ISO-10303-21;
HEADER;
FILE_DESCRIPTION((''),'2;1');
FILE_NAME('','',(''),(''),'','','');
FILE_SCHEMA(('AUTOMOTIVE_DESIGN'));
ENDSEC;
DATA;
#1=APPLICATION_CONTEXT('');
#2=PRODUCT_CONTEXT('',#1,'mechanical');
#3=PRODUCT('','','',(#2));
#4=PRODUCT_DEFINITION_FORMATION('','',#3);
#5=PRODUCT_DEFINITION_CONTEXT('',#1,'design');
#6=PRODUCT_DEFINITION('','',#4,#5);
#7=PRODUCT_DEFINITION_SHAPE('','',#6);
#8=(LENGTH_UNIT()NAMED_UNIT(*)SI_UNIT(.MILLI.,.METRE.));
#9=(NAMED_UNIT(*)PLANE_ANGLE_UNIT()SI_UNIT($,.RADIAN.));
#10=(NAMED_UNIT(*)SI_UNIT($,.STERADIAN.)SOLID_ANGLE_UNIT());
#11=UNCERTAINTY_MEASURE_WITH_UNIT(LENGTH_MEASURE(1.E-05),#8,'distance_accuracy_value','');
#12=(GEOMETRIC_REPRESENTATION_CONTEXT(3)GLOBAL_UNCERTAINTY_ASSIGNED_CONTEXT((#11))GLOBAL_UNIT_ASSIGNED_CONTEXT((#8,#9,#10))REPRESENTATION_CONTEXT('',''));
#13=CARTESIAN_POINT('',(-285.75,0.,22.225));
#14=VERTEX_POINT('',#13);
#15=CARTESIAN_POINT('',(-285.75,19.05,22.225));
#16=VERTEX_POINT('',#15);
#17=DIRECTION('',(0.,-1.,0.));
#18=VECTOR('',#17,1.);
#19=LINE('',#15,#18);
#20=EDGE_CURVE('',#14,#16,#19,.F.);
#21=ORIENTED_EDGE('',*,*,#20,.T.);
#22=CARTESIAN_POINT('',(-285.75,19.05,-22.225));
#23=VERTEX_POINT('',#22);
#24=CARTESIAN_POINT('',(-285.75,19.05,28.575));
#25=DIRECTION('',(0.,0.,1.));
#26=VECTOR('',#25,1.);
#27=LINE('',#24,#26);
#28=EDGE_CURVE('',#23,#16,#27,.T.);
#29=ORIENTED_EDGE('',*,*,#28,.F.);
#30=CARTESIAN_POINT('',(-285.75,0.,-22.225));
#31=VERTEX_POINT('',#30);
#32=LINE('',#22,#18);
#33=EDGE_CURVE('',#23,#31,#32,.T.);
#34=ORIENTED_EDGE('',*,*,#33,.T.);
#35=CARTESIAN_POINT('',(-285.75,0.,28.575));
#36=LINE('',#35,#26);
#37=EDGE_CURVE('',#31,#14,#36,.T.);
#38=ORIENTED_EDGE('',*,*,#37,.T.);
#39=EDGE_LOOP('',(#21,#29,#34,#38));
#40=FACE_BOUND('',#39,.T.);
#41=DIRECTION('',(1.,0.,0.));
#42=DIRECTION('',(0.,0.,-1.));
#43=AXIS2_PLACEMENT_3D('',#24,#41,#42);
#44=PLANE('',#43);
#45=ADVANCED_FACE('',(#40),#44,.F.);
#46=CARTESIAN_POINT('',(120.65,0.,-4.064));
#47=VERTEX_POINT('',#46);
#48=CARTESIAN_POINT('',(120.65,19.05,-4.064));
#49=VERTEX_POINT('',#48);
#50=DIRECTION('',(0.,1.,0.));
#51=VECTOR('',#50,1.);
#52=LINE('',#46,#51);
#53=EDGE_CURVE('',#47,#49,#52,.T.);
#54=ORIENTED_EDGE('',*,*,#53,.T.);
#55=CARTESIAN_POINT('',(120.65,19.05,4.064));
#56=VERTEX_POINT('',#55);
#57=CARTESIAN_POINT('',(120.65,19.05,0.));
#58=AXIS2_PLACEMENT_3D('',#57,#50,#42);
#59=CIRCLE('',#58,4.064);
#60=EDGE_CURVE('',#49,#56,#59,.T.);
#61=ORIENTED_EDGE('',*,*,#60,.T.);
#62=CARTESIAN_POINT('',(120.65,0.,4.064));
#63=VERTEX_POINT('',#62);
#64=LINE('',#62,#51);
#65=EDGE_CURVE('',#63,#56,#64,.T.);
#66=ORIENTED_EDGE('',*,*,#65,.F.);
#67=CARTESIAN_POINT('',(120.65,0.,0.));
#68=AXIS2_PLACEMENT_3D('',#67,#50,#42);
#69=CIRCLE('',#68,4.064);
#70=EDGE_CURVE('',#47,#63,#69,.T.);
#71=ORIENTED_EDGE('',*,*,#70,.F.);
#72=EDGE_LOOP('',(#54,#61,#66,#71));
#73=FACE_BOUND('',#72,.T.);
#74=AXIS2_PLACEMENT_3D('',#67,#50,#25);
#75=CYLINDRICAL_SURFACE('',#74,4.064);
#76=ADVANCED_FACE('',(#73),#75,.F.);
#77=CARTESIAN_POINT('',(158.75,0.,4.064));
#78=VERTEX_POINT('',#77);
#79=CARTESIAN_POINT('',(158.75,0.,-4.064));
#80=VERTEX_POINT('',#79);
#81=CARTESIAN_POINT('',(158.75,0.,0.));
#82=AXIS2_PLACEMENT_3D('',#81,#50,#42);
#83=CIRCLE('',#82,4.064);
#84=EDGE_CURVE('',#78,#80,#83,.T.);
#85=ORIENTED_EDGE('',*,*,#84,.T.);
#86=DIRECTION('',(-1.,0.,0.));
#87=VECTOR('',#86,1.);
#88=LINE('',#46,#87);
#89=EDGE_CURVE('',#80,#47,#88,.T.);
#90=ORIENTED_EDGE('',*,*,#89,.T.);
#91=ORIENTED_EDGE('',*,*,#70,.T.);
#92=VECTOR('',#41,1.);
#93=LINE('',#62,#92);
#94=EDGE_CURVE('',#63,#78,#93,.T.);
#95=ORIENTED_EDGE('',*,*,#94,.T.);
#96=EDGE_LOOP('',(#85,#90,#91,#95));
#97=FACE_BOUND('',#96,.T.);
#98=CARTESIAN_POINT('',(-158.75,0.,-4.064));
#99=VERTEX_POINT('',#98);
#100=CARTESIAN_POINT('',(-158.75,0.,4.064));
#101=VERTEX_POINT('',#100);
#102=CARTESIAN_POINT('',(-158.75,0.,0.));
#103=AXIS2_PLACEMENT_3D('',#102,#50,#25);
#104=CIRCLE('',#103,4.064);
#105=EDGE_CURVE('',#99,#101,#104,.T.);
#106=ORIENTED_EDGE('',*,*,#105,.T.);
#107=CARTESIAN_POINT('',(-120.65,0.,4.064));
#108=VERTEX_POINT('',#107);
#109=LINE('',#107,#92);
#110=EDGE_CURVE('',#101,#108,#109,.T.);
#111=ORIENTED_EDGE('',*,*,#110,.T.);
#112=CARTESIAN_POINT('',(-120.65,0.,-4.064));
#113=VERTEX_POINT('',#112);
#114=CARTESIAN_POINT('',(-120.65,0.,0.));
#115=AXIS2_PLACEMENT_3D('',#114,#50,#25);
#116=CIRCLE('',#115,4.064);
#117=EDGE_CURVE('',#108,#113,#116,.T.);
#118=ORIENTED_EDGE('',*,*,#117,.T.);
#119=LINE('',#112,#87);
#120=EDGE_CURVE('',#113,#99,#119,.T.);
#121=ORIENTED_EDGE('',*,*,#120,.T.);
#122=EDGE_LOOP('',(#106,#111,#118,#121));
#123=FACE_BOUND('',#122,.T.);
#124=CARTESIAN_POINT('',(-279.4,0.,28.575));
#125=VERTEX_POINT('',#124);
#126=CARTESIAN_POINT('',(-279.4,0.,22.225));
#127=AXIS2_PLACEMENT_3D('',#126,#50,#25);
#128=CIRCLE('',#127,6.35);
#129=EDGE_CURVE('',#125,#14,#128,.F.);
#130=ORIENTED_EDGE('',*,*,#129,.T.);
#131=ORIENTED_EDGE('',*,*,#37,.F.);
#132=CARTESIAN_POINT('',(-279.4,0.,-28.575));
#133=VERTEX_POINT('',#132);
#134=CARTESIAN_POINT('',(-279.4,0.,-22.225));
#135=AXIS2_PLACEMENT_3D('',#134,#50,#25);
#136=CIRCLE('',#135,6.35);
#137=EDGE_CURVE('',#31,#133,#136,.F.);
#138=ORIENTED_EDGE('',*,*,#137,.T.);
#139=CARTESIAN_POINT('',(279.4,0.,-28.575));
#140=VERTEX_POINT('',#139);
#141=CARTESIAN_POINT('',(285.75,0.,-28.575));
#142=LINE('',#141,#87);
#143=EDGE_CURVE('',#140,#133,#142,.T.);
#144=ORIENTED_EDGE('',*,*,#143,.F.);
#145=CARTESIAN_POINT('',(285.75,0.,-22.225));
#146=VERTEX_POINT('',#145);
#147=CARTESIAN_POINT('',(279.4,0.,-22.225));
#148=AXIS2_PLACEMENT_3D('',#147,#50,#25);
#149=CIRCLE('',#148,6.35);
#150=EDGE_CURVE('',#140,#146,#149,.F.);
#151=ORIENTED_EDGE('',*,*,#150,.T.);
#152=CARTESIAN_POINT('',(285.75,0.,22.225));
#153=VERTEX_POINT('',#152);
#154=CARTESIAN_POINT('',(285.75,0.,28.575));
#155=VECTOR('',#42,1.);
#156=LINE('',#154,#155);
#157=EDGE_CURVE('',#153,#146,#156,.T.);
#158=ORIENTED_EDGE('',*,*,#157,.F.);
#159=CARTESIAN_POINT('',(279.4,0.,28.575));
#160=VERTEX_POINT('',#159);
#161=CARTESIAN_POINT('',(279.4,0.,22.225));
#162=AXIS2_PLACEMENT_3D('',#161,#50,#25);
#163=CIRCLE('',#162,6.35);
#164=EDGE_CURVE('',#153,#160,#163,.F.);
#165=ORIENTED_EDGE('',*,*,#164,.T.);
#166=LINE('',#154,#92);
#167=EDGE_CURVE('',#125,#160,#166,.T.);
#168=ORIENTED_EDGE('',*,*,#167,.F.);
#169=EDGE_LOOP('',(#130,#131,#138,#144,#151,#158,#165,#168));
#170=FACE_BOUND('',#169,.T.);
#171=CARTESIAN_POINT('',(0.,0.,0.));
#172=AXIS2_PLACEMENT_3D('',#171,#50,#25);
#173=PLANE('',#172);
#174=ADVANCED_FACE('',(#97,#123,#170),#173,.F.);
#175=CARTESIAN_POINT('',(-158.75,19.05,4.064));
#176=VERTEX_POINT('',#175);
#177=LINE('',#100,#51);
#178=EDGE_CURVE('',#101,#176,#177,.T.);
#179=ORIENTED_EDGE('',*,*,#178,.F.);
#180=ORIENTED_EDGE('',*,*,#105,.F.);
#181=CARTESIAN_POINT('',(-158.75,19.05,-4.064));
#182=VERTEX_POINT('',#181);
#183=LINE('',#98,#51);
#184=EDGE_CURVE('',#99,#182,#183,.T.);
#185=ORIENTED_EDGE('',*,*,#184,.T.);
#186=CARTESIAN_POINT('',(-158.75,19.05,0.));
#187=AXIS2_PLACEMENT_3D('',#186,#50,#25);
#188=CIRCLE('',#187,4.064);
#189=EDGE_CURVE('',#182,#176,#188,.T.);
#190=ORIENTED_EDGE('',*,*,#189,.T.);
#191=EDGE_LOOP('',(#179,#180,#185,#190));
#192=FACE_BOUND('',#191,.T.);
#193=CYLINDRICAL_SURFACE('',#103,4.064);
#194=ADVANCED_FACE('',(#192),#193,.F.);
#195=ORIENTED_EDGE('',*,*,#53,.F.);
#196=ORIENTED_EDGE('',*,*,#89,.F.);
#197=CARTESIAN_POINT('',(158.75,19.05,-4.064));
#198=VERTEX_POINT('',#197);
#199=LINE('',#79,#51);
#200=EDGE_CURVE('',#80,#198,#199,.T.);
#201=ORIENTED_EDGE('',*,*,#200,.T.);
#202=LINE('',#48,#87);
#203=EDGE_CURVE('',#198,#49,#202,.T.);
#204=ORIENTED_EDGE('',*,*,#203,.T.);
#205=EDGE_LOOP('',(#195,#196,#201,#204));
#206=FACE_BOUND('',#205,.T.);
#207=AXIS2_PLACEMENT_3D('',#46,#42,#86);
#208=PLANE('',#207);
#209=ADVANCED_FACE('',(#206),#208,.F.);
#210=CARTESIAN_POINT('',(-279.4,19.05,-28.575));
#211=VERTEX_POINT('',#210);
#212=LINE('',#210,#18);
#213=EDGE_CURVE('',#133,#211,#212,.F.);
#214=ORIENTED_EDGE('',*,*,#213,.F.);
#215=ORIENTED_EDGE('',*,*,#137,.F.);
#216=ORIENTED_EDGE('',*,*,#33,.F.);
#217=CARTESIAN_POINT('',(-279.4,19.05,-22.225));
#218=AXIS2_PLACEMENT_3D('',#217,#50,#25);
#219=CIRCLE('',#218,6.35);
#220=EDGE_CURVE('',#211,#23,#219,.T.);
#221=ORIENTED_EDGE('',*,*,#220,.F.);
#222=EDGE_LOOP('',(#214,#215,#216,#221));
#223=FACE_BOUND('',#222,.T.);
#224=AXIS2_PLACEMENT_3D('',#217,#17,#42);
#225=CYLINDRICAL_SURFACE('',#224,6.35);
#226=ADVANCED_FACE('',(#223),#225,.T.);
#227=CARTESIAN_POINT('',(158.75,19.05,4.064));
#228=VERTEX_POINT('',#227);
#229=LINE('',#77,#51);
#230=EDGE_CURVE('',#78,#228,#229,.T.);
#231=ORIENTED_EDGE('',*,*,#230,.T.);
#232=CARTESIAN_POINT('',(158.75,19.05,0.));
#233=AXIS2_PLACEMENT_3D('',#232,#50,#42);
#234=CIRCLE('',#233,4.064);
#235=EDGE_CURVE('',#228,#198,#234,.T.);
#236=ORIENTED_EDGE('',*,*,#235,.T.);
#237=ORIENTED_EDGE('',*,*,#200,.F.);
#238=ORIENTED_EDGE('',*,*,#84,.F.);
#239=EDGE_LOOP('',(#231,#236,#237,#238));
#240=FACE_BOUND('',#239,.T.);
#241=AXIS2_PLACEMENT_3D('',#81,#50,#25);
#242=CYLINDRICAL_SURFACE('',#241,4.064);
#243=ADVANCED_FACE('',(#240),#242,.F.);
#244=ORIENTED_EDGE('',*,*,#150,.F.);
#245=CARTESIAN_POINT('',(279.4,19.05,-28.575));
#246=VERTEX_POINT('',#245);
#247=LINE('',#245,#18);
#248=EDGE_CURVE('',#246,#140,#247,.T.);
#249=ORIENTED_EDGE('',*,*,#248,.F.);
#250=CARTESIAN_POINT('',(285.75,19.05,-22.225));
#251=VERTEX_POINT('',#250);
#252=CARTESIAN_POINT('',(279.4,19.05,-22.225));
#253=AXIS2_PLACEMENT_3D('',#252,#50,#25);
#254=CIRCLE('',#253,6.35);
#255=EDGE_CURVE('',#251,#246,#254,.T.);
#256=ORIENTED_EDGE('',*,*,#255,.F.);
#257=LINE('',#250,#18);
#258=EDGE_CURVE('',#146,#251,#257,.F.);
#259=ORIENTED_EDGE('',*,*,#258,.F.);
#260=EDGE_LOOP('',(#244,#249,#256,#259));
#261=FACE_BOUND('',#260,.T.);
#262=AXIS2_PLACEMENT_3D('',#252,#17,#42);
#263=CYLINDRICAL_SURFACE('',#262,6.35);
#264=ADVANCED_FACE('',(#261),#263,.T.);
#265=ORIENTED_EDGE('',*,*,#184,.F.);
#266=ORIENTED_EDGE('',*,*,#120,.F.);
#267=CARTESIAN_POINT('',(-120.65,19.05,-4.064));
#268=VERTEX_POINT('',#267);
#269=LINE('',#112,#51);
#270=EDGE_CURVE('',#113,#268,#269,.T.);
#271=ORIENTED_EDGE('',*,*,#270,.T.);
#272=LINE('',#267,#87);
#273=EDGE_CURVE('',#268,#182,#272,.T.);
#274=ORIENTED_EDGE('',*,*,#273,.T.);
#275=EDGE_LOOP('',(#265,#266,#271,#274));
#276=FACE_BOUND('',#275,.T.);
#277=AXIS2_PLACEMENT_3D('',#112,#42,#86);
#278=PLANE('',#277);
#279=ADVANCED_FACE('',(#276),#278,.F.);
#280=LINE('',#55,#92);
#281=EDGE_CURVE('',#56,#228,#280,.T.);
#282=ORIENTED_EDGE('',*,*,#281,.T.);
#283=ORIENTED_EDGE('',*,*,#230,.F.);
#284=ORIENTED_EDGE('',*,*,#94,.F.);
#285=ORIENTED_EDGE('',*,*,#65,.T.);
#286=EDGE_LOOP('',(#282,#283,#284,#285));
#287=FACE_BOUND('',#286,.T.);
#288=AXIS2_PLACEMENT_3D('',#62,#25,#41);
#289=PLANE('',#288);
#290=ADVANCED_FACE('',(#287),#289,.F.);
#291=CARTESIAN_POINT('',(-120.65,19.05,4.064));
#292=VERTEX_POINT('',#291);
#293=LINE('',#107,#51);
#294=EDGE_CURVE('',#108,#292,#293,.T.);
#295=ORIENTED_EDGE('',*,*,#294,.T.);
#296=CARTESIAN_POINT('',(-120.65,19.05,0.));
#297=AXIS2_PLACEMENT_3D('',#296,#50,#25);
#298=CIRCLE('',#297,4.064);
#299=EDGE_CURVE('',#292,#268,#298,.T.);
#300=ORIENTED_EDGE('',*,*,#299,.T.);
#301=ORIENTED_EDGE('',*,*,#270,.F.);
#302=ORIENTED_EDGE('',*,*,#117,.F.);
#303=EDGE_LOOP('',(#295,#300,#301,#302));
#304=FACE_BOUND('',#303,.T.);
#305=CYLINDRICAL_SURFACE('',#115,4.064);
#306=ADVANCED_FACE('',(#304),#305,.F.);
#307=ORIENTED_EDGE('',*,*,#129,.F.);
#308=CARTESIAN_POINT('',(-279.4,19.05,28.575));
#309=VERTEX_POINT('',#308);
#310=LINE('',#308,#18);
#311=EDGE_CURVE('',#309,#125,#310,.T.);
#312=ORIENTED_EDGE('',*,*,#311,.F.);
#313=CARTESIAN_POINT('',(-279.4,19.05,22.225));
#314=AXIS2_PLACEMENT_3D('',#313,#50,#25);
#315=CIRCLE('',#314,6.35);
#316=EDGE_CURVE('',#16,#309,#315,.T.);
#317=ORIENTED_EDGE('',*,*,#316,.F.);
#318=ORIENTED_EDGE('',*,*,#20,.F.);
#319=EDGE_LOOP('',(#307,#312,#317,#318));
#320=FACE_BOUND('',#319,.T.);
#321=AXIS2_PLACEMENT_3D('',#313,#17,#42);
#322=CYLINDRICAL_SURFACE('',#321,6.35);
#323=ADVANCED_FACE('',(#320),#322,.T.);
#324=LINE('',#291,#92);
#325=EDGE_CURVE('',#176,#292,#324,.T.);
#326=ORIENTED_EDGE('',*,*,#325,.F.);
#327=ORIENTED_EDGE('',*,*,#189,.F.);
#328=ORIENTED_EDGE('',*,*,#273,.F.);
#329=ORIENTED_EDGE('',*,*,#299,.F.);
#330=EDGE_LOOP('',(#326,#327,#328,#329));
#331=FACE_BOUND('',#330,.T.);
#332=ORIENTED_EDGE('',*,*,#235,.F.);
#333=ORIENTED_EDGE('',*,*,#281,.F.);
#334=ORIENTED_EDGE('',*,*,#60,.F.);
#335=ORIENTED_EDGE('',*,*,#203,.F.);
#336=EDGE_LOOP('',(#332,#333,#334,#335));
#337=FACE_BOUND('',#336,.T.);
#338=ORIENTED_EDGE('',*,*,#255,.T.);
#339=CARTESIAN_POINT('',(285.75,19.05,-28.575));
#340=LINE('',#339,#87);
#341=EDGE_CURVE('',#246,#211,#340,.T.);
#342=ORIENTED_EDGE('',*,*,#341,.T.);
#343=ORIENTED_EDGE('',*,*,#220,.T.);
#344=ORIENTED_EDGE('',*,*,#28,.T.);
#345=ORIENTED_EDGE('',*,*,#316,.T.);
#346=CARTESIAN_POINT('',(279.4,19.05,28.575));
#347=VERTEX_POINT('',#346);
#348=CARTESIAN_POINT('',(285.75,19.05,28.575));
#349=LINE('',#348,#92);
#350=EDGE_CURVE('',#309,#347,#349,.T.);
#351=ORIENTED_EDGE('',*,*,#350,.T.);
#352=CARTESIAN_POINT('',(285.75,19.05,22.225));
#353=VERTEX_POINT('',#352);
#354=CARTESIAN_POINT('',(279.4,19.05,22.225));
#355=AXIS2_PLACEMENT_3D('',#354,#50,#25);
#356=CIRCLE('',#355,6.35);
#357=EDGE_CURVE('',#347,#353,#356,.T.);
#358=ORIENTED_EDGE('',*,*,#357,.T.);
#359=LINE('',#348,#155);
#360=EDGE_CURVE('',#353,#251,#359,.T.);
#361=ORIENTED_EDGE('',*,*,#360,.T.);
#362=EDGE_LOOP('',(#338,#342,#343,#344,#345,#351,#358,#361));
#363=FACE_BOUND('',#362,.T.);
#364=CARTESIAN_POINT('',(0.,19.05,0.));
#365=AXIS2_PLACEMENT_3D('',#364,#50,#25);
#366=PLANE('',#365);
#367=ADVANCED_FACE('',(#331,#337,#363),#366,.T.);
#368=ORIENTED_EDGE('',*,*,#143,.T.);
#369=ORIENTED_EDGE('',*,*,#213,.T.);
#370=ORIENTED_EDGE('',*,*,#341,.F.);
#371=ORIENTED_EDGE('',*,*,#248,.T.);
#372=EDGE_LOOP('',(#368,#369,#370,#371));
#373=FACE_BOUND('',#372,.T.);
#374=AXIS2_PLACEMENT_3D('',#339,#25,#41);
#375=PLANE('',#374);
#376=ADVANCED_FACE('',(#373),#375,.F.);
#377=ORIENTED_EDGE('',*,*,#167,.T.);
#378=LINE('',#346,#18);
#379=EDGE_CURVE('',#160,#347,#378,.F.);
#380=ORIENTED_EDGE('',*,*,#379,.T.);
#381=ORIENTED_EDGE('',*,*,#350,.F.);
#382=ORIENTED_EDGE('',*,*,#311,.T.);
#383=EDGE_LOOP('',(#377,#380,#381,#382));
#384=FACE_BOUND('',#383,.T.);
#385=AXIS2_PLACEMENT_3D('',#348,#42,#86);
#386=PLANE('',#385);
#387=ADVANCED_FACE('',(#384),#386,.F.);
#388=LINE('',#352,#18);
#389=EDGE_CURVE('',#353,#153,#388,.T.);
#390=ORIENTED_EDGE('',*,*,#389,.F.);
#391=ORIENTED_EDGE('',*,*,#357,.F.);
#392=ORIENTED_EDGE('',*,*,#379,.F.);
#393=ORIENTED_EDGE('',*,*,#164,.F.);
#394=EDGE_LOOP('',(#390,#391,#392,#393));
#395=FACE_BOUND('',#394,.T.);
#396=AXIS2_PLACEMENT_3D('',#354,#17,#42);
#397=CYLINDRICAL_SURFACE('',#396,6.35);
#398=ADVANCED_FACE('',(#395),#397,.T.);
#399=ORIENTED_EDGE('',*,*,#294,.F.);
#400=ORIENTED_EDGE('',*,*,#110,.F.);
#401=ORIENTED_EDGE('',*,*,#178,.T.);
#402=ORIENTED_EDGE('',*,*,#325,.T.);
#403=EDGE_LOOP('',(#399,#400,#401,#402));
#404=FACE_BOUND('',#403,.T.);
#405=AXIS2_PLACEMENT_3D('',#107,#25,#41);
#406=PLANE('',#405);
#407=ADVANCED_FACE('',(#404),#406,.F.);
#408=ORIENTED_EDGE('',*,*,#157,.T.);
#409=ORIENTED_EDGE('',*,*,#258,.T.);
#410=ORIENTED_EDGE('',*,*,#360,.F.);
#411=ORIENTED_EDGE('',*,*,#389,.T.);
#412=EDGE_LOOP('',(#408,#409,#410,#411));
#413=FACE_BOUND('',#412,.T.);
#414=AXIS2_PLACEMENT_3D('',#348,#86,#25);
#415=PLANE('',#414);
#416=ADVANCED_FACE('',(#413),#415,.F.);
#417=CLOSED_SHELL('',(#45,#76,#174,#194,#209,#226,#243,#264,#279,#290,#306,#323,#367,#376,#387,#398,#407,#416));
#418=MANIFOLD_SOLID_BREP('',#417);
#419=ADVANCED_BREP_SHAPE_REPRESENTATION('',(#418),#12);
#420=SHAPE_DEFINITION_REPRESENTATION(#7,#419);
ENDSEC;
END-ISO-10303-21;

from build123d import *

# Parameters (mm, degrees)
SKETCH1_W           = 571.5
SKETCH1_H           = 57.15
BOSS_EXTRUDE1_DEPTH = 19.05
FILLET1_R           = 6.35
CUT_EXTRUDE1_DEPTH  = 19.05


with BuildPart() as part:
    # Sketch1 → Boss-Extrude1 (new body)
    with BuildSketch(Plane(origin=(0, 0, 0), x_dir=(1, 0, 0), z_dir=(0, 1, 0))):
        Rectangle(SKETCH1_W, SKETCH1_H)
    extrude(amount=BOSS_EXTRUDE1_DEPTH)

    # Fillet1
    fillet1_edges = [part.edges().sort_by_distance(p)[0] for p in [
        (-285.75, 9.525, -28.575),
        (285.75, 9.525, -28.575),
        (285.75, 9.525, 28.575),
        (-285.75, 9.525, 28.575),
    ]]
    fillet(fillet1_edges, radius=FILLET1_R)

    # Sketch2 → Cut-Extrude1 (cut)
    with BuildSketch(Plane(origin=(0, 19.05, 0), x_dir=(1, 0, 0), z_dir=(0, 1, 0))):
        with BuildLine():
            Line((-120.65, -4.064), (-158.75, -4.064))
            ThreePointArc((-158.75, -4.064), (-162.814, 0), (-158.75, 4.064))
            Line((-158.75, 4.064), (-120.65, 4.064))
            ThreePointArc((-120.65, 4.064), (-116.586, 0), (-120.65, -4.064))
        make_face()
        with BuildLine():
            Line((120.65, -4.064), (158.75, -4.064))
            ThreePointArc((158.75, -4.064), (162.814, 0), (158.75, 4.064))
            Line((158.75, 4.064), (120.65, 4.064))
            ThreePointArc((120.65, 4.064), (116.586, 0), (120.65, -4.064))
        make_face()
    extrude(amount=-CUT_EXTRUDE1_DEPTH, mode=Mode.SUBTRACT)


solid = part.part
